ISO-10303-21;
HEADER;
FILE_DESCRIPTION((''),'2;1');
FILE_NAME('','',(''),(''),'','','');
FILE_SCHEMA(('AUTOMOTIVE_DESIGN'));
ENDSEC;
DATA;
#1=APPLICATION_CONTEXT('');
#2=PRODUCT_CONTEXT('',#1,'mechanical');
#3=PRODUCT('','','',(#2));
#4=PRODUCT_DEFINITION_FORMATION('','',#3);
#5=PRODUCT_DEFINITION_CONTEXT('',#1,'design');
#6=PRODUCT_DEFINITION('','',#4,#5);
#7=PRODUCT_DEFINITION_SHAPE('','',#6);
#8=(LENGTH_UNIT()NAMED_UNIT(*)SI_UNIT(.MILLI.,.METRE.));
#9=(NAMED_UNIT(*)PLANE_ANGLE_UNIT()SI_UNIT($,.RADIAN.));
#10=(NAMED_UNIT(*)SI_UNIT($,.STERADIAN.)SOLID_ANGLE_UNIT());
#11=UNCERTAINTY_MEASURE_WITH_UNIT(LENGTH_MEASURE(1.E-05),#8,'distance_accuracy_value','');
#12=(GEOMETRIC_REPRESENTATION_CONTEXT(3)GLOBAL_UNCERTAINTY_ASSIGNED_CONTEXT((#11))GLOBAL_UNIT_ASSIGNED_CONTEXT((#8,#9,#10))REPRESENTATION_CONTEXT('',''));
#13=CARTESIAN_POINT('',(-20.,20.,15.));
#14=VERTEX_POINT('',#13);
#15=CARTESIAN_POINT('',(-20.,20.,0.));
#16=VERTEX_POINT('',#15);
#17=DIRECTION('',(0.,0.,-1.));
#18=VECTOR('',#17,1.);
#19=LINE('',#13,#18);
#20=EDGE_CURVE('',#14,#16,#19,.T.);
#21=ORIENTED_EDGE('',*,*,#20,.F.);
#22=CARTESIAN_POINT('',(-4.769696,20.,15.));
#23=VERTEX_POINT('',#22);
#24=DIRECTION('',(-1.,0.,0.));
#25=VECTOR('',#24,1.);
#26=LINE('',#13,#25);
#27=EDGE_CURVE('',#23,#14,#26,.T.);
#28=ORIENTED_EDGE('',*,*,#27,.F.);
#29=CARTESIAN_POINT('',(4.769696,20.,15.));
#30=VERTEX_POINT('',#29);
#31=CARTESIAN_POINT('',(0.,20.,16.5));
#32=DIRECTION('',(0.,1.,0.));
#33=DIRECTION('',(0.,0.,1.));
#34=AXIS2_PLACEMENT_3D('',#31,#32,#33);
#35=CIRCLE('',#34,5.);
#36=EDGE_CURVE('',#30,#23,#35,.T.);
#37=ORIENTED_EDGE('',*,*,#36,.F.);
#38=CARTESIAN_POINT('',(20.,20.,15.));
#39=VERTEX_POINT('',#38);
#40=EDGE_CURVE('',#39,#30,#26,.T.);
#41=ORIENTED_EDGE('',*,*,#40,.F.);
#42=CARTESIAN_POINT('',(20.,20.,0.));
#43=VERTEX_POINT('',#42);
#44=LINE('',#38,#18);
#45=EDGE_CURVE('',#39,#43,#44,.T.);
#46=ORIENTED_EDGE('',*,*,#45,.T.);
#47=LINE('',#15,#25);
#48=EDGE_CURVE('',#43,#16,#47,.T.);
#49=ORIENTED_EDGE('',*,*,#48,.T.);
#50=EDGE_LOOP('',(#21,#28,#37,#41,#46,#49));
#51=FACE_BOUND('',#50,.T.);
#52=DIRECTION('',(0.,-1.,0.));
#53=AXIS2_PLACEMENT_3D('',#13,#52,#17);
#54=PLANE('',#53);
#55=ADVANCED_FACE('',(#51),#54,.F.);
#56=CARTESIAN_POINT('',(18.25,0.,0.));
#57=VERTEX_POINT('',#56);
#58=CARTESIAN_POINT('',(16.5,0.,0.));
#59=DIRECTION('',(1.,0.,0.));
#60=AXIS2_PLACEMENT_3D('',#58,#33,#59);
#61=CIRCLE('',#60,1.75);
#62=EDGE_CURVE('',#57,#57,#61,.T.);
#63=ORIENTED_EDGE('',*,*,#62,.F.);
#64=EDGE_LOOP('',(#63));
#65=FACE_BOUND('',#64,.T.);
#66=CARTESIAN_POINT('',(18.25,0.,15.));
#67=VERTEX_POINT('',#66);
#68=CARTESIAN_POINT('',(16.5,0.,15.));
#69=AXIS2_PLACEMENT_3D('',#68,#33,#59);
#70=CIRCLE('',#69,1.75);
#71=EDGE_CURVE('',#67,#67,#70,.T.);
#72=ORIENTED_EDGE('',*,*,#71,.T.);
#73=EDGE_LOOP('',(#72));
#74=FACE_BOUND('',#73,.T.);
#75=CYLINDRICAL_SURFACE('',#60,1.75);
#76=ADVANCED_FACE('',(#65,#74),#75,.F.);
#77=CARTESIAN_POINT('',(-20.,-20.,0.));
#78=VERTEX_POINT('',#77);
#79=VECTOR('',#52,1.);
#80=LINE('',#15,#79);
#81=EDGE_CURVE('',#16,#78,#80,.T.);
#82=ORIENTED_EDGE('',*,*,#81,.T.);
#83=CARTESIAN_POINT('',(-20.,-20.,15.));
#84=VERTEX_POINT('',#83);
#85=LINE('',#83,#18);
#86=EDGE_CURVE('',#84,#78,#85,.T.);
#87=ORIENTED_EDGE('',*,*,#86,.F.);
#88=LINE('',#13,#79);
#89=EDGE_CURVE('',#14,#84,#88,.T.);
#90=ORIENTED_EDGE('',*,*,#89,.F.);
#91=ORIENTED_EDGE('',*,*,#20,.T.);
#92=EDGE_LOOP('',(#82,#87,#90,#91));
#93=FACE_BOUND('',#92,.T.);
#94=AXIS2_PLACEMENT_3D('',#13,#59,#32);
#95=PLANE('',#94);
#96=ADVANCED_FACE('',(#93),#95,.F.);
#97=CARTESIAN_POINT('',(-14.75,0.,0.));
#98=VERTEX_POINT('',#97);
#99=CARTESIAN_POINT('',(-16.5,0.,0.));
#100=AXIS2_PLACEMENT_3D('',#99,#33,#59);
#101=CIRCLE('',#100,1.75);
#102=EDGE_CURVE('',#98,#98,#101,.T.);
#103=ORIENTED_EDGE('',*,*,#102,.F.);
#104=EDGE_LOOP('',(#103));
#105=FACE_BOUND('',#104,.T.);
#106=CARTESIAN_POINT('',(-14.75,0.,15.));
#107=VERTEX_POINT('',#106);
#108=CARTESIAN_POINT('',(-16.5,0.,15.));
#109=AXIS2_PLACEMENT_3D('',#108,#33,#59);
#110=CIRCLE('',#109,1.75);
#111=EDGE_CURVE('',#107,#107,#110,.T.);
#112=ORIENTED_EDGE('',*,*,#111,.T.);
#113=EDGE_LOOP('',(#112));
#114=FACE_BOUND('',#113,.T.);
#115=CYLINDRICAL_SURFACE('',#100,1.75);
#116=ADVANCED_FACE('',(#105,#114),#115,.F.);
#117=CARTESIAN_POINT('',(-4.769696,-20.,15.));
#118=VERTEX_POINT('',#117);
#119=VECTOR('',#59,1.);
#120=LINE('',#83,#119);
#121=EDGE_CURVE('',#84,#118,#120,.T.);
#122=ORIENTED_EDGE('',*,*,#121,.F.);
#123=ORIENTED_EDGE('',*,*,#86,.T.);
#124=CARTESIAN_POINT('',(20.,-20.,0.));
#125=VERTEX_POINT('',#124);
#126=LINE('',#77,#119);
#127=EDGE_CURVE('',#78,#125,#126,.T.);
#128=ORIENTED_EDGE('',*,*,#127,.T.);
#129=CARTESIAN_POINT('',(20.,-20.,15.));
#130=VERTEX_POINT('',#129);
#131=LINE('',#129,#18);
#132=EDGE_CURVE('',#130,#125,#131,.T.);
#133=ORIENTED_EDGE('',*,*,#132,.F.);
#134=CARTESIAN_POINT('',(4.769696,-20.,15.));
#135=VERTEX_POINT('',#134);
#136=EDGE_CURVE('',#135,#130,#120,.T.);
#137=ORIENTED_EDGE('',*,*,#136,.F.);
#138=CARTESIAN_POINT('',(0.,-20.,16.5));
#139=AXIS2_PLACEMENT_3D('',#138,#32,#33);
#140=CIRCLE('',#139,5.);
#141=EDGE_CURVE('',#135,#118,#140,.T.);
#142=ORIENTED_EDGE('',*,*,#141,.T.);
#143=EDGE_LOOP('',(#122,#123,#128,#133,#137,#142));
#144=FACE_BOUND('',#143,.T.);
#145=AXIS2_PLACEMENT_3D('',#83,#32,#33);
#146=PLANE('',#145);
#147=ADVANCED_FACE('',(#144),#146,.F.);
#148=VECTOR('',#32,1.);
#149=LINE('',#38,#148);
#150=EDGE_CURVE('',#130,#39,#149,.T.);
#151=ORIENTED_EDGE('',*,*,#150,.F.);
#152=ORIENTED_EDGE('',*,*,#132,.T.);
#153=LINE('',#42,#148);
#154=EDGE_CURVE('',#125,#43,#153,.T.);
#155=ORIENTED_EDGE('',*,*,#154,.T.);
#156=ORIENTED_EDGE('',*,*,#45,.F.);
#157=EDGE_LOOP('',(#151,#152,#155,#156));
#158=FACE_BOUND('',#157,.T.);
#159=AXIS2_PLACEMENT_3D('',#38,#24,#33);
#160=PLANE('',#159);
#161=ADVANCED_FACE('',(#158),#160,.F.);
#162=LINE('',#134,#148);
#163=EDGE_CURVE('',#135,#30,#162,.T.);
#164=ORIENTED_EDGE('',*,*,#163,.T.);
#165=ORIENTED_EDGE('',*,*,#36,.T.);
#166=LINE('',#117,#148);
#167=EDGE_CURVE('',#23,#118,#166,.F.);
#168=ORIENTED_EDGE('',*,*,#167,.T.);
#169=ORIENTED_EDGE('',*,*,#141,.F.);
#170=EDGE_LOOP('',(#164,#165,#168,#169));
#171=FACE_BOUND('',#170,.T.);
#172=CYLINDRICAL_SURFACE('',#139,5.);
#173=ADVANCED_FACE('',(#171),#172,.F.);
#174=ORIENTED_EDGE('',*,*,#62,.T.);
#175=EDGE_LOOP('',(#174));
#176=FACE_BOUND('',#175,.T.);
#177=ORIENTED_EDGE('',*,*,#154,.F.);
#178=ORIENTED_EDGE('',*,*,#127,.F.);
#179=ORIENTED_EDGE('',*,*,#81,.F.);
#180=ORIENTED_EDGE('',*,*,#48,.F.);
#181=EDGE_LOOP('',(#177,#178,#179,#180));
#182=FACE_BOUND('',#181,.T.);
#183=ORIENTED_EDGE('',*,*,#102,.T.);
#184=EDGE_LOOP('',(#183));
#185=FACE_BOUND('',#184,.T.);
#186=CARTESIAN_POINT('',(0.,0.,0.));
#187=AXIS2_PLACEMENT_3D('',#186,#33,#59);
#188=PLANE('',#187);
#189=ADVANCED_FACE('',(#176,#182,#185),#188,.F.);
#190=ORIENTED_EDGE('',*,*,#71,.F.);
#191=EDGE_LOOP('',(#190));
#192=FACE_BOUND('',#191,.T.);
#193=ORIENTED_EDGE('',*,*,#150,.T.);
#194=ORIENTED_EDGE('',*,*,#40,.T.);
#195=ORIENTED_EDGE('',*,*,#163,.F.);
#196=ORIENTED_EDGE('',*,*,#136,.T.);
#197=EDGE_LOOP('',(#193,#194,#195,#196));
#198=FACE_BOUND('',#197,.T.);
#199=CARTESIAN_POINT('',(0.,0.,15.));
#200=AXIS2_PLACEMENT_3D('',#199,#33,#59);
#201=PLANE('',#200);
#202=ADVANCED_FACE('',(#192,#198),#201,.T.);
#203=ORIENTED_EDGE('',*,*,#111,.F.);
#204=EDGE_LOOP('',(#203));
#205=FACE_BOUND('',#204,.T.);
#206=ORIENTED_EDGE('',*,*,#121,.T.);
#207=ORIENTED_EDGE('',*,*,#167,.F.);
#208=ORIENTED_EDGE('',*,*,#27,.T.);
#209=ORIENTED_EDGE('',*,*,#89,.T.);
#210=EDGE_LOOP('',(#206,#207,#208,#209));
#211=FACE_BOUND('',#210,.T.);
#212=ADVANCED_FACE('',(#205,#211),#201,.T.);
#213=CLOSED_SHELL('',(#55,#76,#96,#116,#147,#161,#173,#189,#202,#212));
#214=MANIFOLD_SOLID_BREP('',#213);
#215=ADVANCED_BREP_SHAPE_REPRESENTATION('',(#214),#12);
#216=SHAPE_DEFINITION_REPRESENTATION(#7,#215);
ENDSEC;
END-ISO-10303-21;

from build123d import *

# Parameters (mm, degrees)
SKETCH1_W           = 40
SKETCH1_H           = 40
BOSS_EXTRUDE1_DEPTH = 15
SKETCH2_R           = 1.75
CUT_EXTRUDE1_DEPTH  = 16
SKETCH3_R           = 5
CUT_EXTRUDE2_DEPTH  = 41


with BuildPart() as part:
    # Sketch1 → Boss-Extrude1 (new body)
    with BuildSketch(Plane.XY):
        Rectangle(SKETCH1_W, SKETCH1_H)
    extrude(amount=BOSS_EXTRUDE1_DEPTH)

    # Sketch2 → Cut-Extrude1 (cut, through all)
    with BuildSketch(Plane.XY.offset(15)):
        with Locations((-16.5, 0)):
            Circle(SKETCH2_R)
        with Locations((16.5, 0)):
            Circle(SKETCH2_R)
    extrude(amount=-CUT_EXTRUDE1_DEPTH, mode=Mode.SUBTRACT)

    # Sketch3 → Cut-Extrude2 (cut, through all)
    with BuildSketch(Plane(origin=(0, 20, 0), x_dir=(1, 0, 0), z_dir=(0, 1, 0))):
        with Locations((0, -16.5)):
            Circle(SKETCH3_R)
    extrude(amount=-CUT_EXTRUDE2_DEPTH, mode=Mode.SUBTRACT)


solid = part.part
